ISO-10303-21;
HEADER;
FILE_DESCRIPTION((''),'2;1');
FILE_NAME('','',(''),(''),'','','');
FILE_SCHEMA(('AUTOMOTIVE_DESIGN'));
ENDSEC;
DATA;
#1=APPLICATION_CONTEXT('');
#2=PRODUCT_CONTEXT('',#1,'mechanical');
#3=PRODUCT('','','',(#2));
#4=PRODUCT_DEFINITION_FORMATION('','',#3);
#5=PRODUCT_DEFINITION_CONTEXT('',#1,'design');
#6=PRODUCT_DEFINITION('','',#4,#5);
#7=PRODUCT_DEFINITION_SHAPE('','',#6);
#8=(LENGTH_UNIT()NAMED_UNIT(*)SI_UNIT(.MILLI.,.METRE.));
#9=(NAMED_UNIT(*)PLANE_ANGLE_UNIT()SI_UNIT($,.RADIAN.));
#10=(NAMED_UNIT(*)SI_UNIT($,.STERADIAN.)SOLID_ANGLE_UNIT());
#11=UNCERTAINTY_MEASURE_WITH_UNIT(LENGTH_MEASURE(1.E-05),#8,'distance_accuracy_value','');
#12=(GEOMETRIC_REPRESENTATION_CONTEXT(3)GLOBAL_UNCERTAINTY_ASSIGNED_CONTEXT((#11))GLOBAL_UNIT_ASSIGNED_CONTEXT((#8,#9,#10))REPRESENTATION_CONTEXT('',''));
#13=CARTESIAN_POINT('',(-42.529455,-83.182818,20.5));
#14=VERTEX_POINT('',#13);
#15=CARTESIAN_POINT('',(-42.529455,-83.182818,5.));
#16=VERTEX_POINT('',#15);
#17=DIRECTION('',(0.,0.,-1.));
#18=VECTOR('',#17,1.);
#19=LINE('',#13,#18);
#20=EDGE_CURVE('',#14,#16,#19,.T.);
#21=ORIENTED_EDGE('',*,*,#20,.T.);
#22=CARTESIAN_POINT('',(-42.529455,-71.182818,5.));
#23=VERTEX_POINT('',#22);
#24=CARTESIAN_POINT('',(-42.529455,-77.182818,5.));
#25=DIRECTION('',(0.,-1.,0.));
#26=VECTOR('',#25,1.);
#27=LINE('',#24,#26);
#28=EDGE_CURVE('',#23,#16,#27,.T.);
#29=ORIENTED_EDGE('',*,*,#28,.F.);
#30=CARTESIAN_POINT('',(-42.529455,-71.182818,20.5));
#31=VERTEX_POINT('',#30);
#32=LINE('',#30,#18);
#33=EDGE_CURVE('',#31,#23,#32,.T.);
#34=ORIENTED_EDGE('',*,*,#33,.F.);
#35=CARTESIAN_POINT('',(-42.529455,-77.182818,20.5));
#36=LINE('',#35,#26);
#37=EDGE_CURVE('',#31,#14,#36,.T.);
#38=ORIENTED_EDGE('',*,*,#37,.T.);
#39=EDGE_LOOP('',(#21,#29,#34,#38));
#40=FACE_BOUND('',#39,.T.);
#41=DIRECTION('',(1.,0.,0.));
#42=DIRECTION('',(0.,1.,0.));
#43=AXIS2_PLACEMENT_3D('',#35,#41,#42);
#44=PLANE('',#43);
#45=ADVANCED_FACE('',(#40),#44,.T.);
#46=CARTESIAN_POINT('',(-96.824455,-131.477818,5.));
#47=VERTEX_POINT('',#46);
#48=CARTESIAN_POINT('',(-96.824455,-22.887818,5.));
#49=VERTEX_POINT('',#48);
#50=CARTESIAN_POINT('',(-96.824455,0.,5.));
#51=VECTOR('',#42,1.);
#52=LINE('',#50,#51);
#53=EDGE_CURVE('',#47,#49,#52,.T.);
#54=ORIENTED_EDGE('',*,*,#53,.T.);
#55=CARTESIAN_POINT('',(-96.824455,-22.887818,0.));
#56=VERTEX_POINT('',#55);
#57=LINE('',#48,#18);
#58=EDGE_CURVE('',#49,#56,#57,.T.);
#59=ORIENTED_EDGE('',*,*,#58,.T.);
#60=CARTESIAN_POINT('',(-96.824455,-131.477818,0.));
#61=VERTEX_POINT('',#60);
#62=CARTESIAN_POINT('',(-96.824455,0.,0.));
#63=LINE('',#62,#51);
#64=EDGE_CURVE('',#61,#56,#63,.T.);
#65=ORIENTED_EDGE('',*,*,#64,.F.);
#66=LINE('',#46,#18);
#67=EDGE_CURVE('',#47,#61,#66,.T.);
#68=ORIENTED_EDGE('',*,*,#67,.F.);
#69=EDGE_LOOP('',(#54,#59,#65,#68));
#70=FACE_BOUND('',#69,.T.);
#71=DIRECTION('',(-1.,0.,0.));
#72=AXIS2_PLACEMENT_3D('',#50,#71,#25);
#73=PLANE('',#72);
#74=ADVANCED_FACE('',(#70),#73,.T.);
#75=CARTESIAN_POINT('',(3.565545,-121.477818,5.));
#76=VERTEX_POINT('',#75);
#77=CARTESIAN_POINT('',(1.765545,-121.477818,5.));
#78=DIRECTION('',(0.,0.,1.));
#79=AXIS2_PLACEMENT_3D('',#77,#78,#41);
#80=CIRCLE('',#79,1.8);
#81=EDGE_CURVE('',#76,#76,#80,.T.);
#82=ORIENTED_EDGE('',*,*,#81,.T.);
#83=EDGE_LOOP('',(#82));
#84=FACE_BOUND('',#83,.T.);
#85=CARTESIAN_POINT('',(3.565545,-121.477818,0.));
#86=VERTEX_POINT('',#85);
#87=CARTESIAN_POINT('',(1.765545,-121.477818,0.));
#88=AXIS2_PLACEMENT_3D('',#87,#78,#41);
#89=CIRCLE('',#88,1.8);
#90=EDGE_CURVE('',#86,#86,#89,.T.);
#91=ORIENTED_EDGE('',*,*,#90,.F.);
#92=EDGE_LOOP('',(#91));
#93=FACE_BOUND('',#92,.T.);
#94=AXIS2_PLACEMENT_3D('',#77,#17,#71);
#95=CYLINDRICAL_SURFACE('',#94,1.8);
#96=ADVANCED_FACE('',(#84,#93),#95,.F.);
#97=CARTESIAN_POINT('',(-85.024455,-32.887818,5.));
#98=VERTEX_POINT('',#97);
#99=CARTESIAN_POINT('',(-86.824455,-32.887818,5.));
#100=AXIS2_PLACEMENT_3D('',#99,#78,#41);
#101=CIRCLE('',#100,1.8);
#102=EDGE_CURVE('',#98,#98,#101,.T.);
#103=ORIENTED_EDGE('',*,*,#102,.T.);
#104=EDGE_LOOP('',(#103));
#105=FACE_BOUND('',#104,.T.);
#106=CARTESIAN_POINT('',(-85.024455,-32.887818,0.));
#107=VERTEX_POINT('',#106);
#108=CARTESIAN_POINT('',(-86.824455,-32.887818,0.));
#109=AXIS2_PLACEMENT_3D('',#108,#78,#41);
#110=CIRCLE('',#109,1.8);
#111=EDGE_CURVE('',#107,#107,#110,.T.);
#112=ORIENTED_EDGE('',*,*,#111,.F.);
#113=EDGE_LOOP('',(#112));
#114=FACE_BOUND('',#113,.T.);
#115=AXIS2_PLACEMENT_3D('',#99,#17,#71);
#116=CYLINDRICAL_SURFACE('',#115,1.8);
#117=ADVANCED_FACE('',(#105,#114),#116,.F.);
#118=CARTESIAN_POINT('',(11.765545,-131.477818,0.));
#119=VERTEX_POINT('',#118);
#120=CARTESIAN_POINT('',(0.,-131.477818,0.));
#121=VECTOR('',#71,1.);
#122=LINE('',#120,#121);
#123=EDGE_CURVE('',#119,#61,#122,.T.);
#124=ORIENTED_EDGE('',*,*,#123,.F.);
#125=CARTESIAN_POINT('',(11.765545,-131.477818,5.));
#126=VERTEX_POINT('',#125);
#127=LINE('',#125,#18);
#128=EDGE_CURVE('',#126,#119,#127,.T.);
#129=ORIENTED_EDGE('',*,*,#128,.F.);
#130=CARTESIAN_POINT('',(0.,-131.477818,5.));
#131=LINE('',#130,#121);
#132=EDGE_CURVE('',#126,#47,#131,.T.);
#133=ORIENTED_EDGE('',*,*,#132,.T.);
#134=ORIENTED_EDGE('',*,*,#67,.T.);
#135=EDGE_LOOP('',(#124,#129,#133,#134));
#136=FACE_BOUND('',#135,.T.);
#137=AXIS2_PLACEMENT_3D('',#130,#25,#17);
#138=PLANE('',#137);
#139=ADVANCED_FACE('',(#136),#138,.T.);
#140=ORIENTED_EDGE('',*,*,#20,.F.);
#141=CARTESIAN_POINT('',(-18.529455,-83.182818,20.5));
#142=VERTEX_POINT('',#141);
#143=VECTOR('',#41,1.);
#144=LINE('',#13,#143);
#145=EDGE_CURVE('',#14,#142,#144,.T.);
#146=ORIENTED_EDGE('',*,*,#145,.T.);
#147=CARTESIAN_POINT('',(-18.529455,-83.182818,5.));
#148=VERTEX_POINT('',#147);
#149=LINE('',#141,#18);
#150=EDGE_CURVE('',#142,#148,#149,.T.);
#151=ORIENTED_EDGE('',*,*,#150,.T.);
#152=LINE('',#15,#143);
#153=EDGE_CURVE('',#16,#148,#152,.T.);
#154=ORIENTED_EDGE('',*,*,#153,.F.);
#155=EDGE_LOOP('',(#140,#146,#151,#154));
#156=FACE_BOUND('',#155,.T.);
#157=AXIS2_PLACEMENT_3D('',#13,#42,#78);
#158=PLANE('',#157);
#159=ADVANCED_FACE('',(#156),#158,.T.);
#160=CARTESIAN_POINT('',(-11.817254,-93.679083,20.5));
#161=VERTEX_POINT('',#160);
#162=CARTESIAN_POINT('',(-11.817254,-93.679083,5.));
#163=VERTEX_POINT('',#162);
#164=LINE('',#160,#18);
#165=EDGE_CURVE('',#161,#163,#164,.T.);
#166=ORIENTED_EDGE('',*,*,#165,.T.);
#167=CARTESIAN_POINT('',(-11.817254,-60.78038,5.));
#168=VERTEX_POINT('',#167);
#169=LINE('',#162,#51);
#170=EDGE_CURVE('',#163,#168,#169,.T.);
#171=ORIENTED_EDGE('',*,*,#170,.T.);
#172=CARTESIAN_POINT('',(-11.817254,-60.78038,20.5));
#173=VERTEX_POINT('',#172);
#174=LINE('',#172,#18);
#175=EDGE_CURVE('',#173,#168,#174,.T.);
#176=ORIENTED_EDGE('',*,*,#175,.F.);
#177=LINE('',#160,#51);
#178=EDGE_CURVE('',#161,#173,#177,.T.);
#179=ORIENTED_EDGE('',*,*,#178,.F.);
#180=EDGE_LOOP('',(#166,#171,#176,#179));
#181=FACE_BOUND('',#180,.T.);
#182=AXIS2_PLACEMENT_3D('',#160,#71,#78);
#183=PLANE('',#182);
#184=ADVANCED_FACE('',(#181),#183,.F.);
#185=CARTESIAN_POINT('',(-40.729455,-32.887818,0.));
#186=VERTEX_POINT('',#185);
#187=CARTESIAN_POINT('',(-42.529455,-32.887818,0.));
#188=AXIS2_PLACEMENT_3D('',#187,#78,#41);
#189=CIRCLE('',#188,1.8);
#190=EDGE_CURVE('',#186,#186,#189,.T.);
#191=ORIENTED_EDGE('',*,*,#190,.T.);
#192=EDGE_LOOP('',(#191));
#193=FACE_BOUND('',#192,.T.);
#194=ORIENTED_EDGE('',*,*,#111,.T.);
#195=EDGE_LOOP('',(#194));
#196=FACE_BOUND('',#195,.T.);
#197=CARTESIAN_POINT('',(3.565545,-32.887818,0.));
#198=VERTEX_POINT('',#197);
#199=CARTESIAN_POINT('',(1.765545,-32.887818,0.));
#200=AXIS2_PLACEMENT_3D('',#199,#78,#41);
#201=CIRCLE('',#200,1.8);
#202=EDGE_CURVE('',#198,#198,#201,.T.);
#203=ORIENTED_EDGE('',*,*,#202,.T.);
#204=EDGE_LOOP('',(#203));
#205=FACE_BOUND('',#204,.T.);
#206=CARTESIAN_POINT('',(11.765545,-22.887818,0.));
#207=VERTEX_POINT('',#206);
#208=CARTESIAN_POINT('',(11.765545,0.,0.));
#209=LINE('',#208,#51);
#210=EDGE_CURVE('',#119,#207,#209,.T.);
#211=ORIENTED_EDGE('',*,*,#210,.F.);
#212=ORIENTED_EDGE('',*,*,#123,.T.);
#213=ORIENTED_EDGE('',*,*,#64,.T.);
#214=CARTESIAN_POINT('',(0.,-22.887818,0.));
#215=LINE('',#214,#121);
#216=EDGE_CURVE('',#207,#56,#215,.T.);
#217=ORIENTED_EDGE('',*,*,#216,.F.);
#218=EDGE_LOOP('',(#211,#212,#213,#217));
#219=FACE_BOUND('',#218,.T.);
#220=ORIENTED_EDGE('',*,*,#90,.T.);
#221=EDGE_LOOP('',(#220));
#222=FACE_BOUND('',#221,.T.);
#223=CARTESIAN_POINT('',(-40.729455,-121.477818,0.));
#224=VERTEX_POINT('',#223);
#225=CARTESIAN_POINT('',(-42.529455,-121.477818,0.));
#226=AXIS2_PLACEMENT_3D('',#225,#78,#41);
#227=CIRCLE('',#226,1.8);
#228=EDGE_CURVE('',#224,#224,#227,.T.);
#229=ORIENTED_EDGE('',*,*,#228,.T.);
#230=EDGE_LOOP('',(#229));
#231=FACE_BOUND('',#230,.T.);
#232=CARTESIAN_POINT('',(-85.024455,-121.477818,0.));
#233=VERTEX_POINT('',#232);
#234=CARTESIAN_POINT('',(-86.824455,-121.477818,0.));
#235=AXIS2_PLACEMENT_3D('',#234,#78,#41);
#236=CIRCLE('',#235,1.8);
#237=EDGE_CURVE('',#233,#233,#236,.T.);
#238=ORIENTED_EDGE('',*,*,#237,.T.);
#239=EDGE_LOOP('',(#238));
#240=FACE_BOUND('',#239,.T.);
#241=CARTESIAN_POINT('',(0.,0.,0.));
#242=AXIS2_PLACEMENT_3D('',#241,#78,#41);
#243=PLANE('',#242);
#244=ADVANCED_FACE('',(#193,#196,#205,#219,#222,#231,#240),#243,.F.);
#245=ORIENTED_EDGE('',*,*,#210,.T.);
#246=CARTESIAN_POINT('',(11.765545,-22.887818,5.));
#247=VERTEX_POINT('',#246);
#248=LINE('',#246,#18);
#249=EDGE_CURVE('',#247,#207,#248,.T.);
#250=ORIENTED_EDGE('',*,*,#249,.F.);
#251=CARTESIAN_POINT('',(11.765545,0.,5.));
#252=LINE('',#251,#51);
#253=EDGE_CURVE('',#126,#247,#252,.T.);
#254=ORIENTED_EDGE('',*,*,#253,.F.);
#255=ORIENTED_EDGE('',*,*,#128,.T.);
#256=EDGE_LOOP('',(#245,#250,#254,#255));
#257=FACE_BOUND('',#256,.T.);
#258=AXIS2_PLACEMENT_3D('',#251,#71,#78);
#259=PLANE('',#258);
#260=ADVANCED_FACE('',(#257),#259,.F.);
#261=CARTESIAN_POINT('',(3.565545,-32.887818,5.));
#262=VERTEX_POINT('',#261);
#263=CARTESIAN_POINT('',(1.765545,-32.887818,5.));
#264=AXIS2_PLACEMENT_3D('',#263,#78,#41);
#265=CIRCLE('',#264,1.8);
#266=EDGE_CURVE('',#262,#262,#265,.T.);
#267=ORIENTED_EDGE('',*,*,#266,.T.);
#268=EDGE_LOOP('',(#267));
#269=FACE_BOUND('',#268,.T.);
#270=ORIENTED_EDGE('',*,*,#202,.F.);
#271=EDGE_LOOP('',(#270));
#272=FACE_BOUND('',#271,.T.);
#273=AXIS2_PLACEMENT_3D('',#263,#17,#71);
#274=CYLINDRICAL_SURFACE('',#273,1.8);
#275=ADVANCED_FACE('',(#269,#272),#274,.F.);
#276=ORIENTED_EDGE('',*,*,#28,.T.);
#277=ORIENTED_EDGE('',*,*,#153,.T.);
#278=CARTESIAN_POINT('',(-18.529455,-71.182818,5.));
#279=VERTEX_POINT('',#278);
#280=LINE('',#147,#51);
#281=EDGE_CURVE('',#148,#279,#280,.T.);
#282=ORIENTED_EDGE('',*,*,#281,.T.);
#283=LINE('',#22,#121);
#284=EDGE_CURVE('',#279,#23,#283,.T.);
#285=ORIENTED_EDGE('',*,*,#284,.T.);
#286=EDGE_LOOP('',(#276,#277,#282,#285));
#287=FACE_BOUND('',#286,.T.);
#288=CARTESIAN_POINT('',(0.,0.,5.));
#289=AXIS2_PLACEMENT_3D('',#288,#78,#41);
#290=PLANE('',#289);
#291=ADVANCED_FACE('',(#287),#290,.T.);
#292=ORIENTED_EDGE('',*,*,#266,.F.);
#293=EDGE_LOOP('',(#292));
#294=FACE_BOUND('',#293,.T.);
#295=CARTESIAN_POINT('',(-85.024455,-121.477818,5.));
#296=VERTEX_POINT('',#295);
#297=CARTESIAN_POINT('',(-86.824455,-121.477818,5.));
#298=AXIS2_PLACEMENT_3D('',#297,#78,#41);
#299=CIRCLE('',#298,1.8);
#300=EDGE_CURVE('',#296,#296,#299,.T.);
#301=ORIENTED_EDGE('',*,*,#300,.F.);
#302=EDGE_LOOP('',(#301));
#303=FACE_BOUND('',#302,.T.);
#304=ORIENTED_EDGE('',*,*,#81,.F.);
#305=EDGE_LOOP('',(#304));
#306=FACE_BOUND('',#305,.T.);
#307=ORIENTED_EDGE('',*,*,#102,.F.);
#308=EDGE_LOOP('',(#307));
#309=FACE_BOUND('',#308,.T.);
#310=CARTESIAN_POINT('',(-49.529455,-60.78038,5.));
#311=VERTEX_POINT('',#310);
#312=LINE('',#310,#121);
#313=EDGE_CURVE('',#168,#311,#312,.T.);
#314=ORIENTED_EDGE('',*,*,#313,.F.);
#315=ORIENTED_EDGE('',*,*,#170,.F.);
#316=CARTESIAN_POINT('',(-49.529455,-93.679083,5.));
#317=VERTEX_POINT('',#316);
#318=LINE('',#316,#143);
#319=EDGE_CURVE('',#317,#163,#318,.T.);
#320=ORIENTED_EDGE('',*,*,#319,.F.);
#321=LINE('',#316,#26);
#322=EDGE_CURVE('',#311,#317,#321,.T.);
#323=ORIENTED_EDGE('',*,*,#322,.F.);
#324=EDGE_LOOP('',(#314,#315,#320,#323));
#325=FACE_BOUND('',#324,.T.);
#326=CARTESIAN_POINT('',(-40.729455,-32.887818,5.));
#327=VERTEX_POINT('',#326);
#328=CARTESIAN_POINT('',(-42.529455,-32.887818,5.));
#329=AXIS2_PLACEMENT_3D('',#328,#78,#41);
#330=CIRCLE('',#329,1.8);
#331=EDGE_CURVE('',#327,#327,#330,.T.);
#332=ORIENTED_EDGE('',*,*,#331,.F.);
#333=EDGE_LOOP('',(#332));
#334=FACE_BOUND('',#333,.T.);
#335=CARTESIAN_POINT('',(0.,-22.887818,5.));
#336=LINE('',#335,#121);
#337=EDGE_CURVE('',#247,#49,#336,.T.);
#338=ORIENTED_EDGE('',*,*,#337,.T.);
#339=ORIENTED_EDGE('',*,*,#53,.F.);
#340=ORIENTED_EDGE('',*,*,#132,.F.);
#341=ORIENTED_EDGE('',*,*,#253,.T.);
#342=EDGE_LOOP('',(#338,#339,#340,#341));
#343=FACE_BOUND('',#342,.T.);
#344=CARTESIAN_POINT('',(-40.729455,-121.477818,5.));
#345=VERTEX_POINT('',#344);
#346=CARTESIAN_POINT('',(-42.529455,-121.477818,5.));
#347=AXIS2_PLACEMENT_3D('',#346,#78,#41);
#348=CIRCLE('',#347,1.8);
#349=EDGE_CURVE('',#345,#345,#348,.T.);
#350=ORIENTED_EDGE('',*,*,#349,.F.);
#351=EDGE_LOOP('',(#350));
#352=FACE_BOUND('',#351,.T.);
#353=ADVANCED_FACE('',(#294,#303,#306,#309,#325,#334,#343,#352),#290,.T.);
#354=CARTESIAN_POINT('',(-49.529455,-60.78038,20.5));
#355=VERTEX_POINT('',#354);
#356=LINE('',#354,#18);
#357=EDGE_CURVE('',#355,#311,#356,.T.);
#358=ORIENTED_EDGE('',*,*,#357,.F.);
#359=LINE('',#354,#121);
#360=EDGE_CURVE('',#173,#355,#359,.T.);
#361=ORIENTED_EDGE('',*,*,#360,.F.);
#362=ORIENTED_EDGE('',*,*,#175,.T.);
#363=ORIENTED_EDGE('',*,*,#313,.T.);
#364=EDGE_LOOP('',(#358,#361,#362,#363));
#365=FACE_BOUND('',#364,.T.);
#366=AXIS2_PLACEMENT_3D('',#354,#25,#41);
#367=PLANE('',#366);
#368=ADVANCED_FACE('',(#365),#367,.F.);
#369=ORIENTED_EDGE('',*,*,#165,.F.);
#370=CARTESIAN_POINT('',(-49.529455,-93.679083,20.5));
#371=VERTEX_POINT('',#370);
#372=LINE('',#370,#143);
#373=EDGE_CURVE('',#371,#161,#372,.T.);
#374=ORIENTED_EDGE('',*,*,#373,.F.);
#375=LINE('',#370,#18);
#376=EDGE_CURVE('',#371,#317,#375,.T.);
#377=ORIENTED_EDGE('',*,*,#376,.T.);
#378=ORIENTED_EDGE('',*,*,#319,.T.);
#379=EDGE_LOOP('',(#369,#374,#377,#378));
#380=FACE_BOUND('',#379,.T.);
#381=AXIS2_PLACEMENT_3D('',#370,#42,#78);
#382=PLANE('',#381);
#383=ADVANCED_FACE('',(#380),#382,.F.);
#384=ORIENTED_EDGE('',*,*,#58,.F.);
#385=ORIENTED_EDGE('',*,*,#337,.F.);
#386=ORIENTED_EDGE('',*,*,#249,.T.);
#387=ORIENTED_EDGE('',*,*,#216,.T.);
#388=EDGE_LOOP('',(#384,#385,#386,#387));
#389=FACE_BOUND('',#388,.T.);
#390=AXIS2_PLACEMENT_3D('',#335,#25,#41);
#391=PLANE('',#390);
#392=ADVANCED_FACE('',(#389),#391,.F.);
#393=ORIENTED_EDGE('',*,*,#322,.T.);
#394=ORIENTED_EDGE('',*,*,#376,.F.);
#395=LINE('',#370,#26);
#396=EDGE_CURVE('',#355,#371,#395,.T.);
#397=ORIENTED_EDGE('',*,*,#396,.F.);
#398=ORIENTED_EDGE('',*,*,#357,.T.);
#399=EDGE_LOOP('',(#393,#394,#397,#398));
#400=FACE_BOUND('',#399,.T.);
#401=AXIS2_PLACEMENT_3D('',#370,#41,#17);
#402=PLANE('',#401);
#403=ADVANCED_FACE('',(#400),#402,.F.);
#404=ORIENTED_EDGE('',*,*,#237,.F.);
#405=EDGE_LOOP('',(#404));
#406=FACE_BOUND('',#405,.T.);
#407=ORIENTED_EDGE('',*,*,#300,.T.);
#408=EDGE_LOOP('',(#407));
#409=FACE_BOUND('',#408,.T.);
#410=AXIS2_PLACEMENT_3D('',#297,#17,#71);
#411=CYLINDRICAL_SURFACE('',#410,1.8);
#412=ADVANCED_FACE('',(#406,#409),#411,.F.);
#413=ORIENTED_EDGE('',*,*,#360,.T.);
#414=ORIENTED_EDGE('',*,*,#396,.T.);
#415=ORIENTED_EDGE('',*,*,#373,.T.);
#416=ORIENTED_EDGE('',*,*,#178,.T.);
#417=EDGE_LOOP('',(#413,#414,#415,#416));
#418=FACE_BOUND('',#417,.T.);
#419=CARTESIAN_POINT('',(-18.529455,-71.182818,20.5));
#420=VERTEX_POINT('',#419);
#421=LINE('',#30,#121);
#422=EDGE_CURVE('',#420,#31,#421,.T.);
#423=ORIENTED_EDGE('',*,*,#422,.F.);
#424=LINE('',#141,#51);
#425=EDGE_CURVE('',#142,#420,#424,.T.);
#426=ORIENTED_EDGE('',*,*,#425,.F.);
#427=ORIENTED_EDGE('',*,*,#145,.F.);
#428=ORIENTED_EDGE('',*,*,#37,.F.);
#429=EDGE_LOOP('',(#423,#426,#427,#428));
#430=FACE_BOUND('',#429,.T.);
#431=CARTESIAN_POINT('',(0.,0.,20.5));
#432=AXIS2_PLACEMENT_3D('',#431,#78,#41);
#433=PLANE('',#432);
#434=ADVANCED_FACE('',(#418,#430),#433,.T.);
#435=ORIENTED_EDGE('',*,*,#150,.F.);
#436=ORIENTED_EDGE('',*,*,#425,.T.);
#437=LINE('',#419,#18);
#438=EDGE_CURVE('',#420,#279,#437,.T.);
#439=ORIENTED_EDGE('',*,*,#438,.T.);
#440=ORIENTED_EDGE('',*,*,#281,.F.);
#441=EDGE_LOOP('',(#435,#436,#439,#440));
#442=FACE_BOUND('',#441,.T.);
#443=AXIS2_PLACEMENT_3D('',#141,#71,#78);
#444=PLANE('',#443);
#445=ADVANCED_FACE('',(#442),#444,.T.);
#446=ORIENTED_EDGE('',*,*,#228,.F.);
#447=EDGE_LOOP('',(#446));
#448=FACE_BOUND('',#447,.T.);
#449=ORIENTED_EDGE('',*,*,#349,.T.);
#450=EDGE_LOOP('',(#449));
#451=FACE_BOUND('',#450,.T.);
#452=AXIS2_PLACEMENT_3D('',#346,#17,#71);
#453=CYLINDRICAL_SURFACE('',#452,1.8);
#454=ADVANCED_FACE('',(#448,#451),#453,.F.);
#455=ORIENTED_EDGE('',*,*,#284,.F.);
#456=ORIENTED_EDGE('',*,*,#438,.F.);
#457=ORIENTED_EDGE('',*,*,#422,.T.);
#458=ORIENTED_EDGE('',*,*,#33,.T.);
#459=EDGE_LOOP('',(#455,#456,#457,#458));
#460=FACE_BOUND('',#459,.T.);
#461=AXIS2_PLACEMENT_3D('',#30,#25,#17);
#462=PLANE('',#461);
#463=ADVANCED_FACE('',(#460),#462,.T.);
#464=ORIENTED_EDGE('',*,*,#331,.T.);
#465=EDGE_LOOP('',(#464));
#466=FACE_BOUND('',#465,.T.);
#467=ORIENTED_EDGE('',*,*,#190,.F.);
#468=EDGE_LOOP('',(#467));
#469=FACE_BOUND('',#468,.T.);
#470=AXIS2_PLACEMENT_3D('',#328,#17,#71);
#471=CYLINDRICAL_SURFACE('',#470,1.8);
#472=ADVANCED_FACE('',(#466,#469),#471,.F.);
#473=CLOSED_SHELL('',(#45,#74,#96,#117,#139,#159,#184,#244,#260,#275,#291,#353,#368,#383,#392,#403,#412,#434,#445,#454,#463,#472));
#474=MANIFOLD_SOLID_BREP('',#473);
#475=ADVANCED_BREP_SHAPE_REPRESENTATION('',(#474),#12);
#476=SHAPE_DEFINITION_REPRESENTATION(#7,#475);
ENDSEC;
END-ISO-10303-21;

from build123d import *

# Parameters (mm, degrees)
ESQUISSE1_R        = 1.8
BOSS_EXTRU_1_DEPTH = 5
ESQUISSE7_W        = 37.712200448
ESQUISSE7_H        = 32.898703175
BOSS_EXTRU_2_DEPTH = 15.5


with BuildPart() as part:
    # Esquisse1 → Boss.-Extru.1 (new body)
    with BuildSketch(Plane(origin=(0, 0, 0), x_dir=(-1, 0, 0), z_dir=(0, 0, 1))):
        Polygon((96.824454852, 121.477817805), (96.824454852, 131.477817805), (-1.765545148, 131.477817805), (-11.765545148, 131.477817805), (-11.765545148, 22.887817805), (-1.765545148, 22.887817805), (42.529454852, 22.887817805), (86.824454852, 22.887817805), (96.824454852, 22.887817805), align=None)
        with BuildLine():
            ThreePointArc((0.034454852, 32.887817805), (-0.492752942, 31.615025599), (-1.765545148, 31.087817805))
            ThreePointArc((-1.765545148, 31.087817805), (-3.038337355, 34.160610011), (0.034454852, 32.887817805))
        make_face(mode=Mode.SUBTRACT)
        with BuildLine():
            ThreePointArc((44.329454852, 32.887817805), (43.802247058, 31.615025599), (42.529454852, 31.087817805))
            ThreePointArc((42.529454852, 31.087817805), (40.729454852, 32.887817805), (42.529454852, 34.687817805))
            ThreePointArc((42.529454852, 34.687817805), (43.802247058, 34.160610011), (44.329454852, 32.887817805))
        make_face(mode=Mode.SUBTRACT)
        with BuildLine():
            ThreePointArc((88.624454852, 32.887817805), (88.097247058, 31.615025599), (86.824454852, 31.087817805))
            ThreePointArc((86.824454852, 31.087817805), (85.551662645, 34.160610011), (88.624454852, 32.887817805))
        make_face(mode=Mode.SUBTRACT)
        with BuildLine():
            ThreePointArc((0.034454852, 121.477817805), (-3.038337355, 120.205025599), (-1.765545148, 123.277817805))
            ThreePointArc((-1.765545148, 123.277817805), (-0.492752942, 122.750610011), (0.034454852, 121.477817805))
        make_face(mode=Mode.SUBTRACT)
        with BuildLine():
            ThreePointArc((44.329454852, 121.477817805), (43.802247058, 120.205025599), (42.529454852, 119.677817805))
            ThreePointArc((42.529454852, 119.677817805), (41.256662645, 122.750610011), (44.329454852, 121.477817805))
        make_face(mode=Mode.SUBTRACT)
        with Locations((86.824454852, 121.477817805)):
            Circle(ESQUISSE1_R, mode=Mode.SUBTRACT)
    extrude(amount=BOSS_EXTRU_1_DEPTH)

    # Esquisse7 → Boss.-Extru.2 (add)
    with BuildSketch(Plane.XY.offset(5)):
        with Locations((-30.673354628, -77.229731143)):
            Rectangle(ESQUISSE7_W, ESQUISSE7_H)
        Polygon((-42.529454852, -77.182817805), (-42.529454852, -71.182817805), (-18.529454852, -71.182817805), (-18.529454852, -83.182817805), (-42.529454852, -83.182817805), align=None, mode=Mode.SUBTRACT)
    extrude(amount=BOSS_EXTRU_2_DEPTH)


solid = part.part
